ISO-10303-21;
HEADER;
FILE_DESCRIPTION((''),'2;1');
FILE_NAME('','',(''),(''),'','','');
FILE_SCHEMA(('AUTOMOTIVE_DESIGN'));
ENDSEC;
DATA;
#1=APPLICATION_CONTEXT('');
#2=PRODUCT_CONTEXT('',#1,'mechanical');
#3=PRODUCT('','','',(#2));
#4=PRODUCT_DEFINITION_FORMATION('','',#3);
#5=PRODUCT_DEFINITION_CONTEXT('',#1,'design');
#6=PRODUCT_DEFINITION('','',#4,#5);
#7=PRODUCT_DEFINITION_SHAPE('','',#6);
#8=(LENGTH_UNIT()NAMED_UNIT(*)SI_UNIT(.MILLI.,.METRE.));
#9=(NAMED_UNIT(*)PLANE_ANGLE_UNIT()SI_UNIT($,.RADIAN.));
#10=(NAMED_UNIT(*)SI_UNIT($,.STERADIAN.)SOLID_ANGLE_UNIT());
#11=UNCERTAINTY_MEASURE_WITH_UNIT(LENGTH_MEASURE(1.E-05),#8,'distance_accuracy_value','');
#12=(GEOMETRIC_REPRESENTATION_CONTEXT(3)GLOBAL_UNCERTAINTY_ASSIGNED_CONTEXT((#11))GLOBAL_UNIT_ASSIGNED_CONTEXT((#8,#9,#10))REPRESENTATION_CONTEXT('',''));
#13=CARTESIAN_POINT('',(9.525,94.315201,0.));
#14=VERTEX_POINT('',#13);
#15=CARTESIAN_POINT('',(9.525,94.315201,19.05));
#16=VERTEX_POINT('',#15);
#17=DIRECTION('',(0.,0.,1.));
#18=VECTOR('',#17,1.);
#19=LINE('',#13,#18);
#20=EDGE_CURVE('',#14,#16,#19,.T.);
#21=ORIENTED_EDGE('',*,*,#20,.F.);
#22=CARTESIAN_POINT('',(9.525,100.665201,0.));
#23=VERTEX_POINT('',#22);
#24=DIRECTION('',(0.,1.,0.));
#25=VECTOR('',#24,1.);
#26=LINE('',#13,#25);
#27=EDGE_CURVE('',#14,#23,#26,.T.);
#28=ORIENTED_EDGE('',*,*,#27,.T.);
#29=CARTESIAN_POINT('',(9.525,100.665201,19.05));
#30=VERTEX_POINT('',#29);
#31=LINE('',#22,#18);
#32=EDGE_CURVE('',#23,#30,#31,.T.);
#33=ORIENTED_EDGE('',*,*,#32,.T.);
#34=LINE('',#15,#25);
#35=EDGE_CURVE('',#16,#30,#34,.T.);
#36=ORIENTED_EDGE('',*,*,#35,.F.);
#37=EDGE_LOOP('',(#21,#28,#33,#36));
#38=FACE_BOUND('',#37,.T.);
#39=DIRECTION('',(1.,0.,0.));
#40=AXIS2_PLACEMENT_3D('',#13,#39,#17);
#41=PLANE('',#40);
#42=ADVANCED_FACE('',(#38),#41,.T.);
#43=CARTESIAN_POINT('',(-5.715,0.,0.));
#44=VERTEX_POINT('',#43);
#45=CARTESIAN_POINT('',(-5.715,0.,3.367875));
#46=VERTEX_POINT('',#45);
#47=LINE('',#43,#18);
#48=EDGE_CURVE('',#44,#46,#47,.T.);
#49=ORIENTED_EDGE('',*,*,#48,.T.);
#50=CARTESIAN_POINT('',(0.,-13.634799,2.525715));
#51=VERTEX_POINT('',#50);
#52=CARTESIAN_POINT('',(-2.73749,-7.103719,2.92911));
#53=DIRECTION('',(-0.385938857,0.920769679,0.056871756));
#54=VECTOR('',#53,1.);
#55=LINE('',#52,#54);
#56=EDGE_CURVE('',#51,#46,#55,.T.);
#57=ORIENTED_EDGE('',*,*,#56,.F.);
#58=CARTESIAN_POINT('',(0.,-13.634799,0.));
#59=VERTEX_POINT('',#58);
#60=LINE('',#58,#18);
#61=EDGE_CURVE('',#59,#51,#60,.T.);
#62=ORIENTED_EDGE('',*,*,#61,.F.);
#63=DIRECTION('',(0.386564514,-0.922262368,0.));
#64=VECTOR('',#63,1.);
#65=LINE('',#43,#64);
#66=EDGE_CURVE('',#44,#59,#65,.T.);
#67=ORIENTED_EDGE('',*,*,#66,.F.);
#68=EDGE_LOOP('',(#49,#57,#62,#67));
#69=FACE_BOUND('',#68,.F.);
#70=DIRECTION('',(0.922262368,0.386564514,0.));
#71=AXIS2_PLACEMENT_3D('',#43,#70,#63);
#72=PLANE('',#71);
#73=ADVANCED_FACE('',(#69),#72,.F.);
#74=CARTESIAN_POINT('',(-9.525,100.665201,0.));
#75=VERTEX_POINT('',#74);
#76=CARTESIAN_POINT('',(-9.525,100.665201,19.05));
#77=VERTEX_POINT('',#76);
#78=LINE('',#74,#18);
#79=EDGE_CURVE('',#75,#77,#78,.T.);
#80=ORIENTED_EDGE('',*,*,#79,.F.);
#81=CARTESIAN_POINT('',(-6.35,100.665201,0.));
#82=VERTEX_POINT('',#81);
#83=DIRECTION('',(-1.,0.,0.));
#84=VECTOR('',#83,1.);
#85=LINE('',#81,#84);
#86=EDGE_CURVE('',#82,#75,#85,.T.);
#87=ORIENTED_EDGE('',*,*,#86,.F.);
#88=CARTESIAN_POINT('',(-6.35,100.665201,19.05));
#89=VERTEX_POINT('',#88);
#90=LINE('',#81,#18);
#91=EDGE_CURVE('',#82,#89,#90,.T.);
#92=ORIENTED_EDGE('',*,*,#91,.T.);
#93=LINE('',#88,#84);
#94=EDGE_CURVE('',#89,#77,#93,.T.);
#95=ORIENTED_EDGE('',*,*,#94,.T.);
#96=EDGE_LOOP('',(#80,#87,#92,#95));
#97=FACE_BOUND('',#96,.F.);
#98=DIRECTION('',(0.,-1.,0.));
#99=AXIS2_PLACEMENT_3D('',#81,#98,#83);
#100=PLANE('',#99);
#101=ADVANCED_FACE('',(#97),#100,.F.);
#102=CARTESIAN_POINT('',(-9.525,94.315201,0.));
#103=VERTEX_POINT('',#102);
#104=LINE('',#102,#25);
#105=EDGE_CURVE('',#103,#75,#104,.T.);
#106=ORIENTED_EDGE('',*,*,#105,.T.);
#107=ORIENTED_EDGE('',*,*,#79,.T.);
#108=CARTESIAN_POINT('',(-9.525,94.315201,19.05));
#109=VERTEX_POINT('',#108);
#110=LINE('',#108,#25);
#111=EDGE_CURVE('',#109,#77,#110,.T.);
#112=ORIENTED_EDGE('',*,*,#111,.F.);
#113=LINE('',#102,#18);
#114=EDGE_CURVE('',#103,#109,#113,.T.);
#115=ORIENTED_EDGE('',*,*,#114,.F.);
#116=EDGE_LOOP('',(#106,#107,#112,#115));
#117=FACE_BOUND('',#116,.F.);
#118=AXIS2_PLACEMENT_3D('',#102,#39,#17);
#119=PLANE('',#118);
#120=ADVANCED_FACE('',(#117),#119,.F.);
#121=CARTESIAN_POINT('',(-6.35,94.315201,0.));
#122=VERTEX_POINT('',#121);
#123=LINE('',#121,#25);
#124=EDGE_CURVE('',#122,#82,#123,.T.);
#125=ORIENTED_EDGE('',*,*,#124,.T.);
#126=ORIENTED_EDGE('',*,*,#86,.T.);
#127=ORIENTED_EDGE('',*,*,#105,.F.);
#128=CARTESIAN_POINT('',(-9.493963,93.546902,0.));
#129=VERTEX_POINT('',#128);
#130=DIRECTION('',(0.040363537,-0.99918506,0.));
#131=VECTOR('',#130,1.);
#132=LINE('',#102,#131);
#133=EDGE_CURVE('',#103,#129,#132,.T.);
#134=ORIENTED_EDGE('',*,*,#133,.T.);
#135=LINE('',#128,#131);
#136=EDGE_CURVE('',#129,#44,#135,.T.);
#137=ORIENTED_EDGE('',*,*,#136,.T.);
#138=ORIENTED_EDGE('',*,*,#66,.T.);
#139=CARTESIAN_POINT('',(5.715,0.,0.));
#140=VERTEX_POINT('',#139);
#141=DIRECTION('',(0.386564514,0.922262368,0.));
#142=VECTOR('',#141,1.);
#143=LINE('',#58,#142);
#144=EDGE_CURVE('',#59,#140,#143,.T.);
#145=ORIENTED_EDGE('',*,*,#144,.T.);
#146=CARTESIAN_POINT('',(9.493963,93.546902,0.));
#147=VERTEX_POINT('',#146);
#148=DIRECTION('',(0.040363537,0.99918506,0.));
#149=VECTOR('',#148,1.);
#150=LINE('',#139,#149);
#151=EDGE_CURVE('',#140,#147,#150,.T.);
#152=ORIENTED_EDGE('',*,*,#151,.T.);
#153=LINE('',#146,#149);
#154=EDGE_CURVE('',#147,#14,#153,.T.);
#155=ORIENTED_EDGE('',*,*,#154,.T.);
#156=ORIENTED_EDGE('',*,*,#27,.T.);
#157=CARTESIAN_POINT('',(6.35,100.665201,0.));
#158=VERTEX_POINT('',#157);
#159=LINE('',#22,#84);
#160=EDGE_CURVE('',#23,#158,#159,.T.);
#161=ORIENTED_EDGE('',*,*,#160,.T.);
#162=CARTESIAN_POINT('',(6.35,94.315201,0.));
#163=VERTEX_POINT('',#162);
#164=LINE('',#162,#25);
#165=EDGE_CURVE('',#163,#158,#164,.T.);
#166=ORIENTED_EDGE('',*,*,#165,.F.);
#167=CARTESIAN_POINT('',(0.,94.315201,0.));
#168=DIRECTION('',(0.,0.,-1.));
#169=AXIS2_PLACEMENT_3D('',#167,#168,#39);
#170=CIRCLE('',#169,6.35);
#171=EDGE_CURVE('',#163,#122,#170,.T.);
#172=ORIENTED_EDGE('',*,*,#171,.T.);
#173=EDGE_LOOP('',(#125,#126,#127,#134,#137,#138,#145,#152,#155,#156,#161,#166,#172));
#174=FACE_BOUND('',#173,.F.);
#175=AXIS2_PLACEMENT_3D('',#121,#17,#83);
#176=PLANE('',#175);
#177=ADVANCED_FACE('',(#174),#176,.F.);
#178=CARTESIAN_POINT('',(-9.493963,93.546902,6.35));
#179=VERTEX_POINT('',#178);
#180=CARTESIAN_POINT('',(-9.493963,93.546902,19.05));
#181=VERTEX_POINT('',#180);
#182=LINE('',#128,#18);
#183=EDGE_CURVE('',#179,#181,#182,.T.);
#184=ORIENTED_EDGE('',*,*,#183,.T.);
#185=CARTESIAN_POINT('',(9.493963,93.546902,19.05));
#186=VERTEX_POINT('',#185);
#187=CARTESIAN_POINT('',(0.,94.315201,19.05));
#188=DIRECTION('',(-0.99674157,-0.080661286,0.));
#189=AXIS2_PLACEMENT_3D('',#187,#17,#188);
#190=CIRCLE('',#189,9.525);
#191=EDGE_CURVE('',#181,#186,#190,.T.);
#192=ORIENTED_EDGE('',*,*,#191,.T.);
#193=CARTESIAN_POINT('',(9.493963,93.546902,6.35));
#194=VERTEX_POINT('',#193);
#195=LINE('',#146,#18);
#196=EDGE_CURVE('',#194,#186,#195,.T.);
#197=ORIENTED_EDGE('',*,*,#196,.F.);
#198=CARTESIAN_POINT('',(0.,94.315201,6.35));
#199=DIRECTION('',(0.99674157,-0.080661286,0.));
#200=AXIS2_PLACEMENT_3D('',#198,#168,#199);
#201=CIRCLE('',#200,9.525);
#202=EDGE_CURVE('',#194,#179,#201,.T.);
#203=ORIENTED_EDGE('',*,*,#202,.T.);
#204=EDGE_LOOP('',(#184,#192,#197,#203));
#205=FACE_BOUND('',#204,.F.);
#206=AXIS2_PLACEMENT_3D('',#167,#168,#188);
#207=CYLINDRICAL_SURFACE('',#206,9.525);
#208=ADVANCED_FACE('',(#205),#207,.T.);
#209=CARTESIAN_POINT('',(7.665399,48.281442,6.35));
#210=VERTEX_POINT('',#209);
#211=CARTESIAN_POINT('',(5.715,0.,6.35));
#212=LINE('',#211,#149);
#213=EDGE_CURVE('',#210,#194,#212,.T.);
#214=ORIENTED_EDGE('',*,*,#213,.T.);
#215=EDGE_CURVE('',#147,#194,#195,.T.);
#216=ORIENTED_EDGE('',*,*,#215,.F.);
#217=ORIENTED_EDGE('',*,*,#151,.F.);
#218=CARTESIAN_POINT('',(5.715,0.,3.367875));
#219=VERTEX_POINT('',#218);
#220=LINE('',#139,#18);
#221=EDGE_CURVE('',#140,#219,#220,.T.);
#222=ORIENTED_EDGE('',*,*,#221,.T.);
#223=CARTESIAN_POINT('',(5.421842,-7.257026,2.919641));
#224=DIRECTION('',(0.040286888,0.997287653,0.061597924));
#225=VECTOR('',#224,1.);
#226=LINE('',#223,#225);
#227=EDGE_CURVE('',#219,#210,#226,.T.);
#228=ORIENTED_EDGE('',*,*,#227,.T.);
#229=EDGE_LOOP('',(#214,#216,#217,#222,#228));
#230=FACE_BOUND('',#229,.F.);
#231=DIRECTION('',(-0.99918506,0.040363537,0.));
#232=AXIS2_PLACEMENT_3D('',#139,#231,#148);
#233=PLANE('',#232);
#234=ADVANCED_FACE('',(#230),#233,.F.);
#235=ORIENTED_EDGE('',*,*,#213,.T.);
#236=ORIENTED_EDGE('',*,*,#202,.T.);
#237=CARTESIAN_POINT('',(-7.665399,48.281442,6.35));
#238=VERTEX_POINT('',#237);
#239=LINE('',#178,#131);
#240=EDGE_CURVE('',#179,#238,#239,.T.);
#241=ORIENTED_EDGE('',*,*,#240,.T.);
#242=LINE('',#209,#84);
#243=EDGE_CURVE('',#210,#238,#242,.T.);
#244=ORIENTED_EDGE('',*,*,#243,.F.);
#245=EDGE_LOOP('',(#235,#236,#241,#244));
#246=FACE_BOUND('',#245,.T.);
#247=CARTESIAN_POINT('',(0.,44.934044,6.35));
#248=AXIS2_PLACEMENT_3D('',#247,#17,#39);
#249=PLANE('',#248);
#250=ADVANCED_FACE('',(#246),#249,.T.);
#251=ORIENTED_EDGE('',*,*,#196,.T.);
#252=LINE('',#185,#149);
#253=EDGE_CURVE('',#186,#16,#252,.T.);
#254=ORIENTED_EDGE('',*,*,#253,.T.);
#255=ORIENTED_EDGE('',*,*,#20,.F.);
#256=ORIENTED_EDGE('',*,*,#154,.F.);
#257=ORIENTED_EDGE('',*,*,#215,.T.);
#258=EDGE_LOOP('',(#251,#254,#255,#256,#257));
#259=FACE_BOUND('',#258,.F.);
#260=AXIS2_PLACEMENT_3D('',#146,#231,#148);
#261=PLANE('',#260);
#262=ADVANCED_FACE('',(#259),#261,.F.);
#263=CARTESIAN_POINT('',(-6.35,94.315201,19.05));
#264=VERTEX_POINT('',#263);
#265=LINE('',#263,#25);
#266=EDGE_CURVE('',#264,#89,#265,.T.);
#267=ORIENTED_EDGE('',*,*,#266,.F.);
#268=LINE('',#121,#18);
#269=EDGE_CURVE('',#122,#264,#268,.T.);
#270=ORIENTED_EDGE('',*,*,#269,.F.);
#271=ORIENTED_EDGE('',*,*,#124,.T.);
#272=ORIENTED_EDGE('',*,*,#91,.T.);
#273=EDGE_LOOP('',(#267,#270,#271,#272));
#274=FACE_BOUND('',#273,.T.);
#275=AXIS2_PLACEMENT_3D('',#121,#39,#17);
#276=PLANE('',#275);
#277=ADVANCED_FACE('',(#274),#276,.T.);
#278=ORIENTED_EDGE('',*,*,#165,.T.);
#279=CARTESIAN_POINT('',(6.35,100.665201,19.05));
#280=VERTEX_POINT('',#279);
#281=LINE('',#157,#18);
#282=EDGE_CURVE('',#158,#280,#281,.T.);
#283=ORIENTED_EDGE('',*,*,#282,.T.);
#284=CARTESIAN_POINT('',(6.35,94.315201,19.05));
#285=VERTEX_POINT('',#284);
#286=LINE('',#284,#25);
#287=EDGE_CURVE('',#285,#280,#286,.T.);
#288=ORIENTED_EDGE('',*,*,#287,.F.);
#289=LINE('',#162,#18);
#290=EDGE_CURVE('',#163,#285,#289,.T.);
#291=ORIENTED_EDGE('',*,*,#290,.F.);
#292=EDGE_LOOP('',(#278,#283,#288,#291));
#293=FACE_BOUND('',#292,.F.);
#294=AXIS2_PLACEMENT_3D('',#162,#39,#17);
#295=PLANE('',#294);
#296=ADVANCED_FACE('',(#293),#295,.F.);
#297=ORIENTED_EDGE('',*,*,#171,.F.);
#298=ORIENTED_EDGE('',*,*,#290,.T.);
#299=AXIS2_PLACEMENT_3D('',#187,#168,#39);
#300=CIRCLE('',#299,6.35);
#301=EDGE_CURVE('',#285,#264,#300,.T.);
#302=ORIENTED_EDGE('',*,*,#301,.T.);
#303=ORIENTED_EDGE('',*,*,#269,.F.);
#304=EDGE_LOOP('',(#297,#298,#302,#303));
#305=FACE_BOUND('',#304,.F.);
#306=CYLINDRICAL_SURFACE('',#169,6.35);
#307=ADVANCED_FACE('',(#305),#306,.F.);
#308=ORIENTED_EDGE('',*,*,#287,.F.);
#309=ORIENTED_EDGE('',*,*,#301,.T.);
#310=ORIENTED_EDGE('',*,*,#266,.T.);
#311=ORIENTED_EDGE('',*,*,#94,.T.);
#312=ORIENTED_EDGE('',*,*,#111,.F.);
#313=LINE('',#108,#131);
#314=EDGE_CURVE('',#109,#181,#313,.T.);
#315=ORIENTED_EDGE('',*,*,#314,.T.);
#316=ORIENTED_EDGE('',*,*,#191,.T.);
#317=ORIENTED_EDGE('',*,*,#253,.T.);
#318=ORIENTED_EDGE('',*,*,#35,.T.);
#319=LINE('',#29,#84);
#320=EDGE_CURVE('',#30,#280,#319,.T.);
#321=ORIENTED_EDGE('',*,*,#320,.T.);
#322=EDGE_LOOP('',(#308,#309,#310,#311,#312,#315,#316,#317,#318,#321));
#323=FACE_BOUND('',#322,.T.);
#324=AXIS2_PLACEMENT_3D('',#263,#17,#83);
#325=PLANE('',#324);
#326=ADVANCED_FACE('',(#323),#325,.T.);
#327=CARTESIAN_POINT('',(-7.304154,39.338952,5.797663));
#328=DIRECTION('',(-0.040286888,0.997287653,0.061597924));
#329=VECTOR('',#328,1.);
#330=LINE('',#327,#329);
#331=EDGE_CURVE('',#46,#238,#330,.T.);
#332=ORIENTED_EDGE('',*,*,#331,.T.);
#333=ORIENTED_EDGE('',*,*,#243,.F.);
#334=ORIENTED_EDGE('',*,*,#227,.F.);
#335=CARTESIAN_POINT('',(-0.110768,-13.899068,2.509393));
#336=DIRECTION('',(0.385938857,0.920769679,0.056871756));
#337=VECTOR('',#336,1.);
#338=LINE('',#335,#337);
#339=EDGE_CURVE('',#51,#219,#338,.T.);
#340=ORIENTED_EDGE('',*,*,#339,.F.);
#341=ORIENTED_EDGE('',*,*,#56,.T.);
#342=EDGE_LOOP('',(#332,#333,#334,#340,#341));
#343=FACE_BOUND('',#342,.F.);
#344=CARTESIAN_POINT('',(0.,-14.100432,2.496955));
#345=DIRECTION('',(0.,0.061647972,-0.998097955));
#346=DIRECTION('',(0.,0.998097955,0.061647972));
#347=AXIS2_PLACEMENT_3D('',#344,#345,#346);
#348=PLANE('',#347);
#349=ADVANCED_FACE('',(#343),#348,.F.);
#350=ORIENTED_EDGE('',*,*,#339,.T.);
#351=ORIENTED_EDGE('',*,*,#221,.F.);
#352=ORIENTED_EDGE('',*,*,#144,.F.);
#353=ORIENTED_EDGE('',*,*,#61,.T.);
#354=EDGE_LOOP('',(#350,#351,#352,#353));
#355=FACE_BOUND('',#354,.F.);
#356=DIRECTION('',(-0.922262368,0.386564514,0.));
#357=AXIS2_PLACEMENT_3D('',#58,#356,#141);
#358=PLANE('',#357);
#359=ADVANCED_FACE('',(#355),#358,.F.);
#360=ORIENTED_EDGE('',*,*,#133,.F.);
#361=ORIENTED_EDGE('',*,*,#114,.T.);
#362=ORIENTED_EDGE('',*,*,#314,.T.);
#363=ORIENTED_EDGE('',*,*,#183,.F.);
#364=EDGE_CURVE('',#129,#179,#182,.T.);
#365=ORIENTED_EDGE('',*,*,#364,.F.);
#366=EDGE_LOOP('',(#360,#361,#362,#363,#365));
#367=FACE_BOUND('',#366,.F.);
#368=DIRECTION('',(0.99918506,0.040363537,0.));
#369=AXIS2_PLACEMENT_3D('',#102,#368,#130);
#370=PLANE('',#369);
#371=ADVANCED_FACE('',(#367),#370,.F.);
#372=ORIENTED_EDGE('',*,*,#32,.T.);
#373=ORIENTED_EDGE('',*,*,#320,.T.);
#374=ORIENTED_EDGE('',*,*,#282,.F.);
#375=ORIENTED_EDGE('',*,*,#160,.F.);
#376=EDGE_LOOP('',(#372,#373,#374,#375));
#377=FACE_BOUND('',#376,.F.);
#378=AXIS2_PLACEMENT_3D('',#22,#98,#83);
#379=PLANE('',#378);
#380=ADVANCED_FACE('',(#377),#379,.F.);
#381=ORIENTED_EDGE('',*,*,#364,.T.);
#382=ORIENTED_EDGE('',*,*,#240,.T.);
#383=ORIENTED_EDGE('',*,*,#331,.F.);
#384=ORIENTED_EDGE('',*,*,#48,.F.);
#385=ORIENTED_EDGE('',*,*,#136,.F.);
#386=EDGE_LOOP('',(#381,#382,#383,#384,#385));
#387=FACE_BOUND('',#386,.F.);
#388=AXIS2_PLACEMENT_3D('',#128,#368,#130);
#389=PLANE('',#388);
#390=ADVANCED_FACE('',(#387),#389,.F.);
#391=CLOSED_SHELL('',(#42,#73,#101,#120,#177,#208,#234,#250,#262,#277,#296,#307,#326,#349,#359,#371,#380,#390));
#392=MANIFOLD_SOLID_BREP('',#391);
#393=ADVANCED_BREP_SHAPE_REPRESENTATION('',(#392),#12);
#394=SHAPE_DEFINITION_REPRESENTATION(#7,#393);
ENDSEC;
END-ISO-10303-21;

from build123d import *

# Parameters (mm, degrees)
F1_DEPTH      = 6.35
F2_DEPTH      = 19.05
F3_DEPTH      = 6.35
F5_DEPTH      = 25.4
F5_DEPTH_BACK = 25.4


with BuildPart() as f1:
    # F0 (on Top) → F1 (new body)
    with BuildSketch(Plane.XY):
        with BuildLine():
            Line((-9.4939634524, 93.546902302), (-5.715, 0))
            Line((-5.715, 0), (0, -13.6347989514))
            Line((0, -13.6347989514), (5.715, 0))
            Line((5.715, 0), (9.4939634524, 93.546902302))
            ThreePointArc((9.4939634524, 93.546902302), (0, 84.7902010486), (-9.4939634524, 93.546902302))
        make_face()
    extrude(amount=F1_DEPTH)

    # F0 (on Top) → F2 (join)
    with BuildSketch(Plane.XY):
        with BuildLine():
            Line((-9.525, 94.3152010486), (-9.4939634524, 93.546902302))
            ThreePointArc((-9.4939634524, 93.546902302), (0, 84.7902010486), (9.4939634524, 93.546902302))
            Line((9.4939634524, 93.546902302), (9.525, 94.3152010486))
            Line((9.525, 94.3152010486), (6.35, 94.3152010486))
            ThreePointArc((6.35, 94.3152010486), (0, 87.9652010486), (-6.35, 94.3152010486))
            Line((-6.35, 94.3152010486), (-9.525, 94.3152010486))
        make_face()
    extrude(amount=F2_DEPTH)

    # F3 (add): faces of the model
    f3_faces = [f1.faces().sort_by_distance(p)[0] for p in [
        (-7.9375, 94.3152010486, 9.525),
        (7.9375, 94.3152010486, 9.525),
    ]]
    extrude(f3_faces, amount=F3_DEPTH)

    # F4 (on Right) → F5 (cut, two sides)
    with BuildSketch(Plane.YZ) as f5_sk:
        Polygon((-30.6564283764, 9.0817261184), (-14.1004319647, 2.4969553254), (49.8651257087, 6.4478169652), (49.8651257087, 26.7665392731), align=None)
    extrude(amount=-F5_DEPTH, mode=Mode.SUBTRACT)
    extrude(f5_sk.sketch, amount=F5_DEPTH_BACK, mode=Mode.SUBTRACT)


solid = f1.part
